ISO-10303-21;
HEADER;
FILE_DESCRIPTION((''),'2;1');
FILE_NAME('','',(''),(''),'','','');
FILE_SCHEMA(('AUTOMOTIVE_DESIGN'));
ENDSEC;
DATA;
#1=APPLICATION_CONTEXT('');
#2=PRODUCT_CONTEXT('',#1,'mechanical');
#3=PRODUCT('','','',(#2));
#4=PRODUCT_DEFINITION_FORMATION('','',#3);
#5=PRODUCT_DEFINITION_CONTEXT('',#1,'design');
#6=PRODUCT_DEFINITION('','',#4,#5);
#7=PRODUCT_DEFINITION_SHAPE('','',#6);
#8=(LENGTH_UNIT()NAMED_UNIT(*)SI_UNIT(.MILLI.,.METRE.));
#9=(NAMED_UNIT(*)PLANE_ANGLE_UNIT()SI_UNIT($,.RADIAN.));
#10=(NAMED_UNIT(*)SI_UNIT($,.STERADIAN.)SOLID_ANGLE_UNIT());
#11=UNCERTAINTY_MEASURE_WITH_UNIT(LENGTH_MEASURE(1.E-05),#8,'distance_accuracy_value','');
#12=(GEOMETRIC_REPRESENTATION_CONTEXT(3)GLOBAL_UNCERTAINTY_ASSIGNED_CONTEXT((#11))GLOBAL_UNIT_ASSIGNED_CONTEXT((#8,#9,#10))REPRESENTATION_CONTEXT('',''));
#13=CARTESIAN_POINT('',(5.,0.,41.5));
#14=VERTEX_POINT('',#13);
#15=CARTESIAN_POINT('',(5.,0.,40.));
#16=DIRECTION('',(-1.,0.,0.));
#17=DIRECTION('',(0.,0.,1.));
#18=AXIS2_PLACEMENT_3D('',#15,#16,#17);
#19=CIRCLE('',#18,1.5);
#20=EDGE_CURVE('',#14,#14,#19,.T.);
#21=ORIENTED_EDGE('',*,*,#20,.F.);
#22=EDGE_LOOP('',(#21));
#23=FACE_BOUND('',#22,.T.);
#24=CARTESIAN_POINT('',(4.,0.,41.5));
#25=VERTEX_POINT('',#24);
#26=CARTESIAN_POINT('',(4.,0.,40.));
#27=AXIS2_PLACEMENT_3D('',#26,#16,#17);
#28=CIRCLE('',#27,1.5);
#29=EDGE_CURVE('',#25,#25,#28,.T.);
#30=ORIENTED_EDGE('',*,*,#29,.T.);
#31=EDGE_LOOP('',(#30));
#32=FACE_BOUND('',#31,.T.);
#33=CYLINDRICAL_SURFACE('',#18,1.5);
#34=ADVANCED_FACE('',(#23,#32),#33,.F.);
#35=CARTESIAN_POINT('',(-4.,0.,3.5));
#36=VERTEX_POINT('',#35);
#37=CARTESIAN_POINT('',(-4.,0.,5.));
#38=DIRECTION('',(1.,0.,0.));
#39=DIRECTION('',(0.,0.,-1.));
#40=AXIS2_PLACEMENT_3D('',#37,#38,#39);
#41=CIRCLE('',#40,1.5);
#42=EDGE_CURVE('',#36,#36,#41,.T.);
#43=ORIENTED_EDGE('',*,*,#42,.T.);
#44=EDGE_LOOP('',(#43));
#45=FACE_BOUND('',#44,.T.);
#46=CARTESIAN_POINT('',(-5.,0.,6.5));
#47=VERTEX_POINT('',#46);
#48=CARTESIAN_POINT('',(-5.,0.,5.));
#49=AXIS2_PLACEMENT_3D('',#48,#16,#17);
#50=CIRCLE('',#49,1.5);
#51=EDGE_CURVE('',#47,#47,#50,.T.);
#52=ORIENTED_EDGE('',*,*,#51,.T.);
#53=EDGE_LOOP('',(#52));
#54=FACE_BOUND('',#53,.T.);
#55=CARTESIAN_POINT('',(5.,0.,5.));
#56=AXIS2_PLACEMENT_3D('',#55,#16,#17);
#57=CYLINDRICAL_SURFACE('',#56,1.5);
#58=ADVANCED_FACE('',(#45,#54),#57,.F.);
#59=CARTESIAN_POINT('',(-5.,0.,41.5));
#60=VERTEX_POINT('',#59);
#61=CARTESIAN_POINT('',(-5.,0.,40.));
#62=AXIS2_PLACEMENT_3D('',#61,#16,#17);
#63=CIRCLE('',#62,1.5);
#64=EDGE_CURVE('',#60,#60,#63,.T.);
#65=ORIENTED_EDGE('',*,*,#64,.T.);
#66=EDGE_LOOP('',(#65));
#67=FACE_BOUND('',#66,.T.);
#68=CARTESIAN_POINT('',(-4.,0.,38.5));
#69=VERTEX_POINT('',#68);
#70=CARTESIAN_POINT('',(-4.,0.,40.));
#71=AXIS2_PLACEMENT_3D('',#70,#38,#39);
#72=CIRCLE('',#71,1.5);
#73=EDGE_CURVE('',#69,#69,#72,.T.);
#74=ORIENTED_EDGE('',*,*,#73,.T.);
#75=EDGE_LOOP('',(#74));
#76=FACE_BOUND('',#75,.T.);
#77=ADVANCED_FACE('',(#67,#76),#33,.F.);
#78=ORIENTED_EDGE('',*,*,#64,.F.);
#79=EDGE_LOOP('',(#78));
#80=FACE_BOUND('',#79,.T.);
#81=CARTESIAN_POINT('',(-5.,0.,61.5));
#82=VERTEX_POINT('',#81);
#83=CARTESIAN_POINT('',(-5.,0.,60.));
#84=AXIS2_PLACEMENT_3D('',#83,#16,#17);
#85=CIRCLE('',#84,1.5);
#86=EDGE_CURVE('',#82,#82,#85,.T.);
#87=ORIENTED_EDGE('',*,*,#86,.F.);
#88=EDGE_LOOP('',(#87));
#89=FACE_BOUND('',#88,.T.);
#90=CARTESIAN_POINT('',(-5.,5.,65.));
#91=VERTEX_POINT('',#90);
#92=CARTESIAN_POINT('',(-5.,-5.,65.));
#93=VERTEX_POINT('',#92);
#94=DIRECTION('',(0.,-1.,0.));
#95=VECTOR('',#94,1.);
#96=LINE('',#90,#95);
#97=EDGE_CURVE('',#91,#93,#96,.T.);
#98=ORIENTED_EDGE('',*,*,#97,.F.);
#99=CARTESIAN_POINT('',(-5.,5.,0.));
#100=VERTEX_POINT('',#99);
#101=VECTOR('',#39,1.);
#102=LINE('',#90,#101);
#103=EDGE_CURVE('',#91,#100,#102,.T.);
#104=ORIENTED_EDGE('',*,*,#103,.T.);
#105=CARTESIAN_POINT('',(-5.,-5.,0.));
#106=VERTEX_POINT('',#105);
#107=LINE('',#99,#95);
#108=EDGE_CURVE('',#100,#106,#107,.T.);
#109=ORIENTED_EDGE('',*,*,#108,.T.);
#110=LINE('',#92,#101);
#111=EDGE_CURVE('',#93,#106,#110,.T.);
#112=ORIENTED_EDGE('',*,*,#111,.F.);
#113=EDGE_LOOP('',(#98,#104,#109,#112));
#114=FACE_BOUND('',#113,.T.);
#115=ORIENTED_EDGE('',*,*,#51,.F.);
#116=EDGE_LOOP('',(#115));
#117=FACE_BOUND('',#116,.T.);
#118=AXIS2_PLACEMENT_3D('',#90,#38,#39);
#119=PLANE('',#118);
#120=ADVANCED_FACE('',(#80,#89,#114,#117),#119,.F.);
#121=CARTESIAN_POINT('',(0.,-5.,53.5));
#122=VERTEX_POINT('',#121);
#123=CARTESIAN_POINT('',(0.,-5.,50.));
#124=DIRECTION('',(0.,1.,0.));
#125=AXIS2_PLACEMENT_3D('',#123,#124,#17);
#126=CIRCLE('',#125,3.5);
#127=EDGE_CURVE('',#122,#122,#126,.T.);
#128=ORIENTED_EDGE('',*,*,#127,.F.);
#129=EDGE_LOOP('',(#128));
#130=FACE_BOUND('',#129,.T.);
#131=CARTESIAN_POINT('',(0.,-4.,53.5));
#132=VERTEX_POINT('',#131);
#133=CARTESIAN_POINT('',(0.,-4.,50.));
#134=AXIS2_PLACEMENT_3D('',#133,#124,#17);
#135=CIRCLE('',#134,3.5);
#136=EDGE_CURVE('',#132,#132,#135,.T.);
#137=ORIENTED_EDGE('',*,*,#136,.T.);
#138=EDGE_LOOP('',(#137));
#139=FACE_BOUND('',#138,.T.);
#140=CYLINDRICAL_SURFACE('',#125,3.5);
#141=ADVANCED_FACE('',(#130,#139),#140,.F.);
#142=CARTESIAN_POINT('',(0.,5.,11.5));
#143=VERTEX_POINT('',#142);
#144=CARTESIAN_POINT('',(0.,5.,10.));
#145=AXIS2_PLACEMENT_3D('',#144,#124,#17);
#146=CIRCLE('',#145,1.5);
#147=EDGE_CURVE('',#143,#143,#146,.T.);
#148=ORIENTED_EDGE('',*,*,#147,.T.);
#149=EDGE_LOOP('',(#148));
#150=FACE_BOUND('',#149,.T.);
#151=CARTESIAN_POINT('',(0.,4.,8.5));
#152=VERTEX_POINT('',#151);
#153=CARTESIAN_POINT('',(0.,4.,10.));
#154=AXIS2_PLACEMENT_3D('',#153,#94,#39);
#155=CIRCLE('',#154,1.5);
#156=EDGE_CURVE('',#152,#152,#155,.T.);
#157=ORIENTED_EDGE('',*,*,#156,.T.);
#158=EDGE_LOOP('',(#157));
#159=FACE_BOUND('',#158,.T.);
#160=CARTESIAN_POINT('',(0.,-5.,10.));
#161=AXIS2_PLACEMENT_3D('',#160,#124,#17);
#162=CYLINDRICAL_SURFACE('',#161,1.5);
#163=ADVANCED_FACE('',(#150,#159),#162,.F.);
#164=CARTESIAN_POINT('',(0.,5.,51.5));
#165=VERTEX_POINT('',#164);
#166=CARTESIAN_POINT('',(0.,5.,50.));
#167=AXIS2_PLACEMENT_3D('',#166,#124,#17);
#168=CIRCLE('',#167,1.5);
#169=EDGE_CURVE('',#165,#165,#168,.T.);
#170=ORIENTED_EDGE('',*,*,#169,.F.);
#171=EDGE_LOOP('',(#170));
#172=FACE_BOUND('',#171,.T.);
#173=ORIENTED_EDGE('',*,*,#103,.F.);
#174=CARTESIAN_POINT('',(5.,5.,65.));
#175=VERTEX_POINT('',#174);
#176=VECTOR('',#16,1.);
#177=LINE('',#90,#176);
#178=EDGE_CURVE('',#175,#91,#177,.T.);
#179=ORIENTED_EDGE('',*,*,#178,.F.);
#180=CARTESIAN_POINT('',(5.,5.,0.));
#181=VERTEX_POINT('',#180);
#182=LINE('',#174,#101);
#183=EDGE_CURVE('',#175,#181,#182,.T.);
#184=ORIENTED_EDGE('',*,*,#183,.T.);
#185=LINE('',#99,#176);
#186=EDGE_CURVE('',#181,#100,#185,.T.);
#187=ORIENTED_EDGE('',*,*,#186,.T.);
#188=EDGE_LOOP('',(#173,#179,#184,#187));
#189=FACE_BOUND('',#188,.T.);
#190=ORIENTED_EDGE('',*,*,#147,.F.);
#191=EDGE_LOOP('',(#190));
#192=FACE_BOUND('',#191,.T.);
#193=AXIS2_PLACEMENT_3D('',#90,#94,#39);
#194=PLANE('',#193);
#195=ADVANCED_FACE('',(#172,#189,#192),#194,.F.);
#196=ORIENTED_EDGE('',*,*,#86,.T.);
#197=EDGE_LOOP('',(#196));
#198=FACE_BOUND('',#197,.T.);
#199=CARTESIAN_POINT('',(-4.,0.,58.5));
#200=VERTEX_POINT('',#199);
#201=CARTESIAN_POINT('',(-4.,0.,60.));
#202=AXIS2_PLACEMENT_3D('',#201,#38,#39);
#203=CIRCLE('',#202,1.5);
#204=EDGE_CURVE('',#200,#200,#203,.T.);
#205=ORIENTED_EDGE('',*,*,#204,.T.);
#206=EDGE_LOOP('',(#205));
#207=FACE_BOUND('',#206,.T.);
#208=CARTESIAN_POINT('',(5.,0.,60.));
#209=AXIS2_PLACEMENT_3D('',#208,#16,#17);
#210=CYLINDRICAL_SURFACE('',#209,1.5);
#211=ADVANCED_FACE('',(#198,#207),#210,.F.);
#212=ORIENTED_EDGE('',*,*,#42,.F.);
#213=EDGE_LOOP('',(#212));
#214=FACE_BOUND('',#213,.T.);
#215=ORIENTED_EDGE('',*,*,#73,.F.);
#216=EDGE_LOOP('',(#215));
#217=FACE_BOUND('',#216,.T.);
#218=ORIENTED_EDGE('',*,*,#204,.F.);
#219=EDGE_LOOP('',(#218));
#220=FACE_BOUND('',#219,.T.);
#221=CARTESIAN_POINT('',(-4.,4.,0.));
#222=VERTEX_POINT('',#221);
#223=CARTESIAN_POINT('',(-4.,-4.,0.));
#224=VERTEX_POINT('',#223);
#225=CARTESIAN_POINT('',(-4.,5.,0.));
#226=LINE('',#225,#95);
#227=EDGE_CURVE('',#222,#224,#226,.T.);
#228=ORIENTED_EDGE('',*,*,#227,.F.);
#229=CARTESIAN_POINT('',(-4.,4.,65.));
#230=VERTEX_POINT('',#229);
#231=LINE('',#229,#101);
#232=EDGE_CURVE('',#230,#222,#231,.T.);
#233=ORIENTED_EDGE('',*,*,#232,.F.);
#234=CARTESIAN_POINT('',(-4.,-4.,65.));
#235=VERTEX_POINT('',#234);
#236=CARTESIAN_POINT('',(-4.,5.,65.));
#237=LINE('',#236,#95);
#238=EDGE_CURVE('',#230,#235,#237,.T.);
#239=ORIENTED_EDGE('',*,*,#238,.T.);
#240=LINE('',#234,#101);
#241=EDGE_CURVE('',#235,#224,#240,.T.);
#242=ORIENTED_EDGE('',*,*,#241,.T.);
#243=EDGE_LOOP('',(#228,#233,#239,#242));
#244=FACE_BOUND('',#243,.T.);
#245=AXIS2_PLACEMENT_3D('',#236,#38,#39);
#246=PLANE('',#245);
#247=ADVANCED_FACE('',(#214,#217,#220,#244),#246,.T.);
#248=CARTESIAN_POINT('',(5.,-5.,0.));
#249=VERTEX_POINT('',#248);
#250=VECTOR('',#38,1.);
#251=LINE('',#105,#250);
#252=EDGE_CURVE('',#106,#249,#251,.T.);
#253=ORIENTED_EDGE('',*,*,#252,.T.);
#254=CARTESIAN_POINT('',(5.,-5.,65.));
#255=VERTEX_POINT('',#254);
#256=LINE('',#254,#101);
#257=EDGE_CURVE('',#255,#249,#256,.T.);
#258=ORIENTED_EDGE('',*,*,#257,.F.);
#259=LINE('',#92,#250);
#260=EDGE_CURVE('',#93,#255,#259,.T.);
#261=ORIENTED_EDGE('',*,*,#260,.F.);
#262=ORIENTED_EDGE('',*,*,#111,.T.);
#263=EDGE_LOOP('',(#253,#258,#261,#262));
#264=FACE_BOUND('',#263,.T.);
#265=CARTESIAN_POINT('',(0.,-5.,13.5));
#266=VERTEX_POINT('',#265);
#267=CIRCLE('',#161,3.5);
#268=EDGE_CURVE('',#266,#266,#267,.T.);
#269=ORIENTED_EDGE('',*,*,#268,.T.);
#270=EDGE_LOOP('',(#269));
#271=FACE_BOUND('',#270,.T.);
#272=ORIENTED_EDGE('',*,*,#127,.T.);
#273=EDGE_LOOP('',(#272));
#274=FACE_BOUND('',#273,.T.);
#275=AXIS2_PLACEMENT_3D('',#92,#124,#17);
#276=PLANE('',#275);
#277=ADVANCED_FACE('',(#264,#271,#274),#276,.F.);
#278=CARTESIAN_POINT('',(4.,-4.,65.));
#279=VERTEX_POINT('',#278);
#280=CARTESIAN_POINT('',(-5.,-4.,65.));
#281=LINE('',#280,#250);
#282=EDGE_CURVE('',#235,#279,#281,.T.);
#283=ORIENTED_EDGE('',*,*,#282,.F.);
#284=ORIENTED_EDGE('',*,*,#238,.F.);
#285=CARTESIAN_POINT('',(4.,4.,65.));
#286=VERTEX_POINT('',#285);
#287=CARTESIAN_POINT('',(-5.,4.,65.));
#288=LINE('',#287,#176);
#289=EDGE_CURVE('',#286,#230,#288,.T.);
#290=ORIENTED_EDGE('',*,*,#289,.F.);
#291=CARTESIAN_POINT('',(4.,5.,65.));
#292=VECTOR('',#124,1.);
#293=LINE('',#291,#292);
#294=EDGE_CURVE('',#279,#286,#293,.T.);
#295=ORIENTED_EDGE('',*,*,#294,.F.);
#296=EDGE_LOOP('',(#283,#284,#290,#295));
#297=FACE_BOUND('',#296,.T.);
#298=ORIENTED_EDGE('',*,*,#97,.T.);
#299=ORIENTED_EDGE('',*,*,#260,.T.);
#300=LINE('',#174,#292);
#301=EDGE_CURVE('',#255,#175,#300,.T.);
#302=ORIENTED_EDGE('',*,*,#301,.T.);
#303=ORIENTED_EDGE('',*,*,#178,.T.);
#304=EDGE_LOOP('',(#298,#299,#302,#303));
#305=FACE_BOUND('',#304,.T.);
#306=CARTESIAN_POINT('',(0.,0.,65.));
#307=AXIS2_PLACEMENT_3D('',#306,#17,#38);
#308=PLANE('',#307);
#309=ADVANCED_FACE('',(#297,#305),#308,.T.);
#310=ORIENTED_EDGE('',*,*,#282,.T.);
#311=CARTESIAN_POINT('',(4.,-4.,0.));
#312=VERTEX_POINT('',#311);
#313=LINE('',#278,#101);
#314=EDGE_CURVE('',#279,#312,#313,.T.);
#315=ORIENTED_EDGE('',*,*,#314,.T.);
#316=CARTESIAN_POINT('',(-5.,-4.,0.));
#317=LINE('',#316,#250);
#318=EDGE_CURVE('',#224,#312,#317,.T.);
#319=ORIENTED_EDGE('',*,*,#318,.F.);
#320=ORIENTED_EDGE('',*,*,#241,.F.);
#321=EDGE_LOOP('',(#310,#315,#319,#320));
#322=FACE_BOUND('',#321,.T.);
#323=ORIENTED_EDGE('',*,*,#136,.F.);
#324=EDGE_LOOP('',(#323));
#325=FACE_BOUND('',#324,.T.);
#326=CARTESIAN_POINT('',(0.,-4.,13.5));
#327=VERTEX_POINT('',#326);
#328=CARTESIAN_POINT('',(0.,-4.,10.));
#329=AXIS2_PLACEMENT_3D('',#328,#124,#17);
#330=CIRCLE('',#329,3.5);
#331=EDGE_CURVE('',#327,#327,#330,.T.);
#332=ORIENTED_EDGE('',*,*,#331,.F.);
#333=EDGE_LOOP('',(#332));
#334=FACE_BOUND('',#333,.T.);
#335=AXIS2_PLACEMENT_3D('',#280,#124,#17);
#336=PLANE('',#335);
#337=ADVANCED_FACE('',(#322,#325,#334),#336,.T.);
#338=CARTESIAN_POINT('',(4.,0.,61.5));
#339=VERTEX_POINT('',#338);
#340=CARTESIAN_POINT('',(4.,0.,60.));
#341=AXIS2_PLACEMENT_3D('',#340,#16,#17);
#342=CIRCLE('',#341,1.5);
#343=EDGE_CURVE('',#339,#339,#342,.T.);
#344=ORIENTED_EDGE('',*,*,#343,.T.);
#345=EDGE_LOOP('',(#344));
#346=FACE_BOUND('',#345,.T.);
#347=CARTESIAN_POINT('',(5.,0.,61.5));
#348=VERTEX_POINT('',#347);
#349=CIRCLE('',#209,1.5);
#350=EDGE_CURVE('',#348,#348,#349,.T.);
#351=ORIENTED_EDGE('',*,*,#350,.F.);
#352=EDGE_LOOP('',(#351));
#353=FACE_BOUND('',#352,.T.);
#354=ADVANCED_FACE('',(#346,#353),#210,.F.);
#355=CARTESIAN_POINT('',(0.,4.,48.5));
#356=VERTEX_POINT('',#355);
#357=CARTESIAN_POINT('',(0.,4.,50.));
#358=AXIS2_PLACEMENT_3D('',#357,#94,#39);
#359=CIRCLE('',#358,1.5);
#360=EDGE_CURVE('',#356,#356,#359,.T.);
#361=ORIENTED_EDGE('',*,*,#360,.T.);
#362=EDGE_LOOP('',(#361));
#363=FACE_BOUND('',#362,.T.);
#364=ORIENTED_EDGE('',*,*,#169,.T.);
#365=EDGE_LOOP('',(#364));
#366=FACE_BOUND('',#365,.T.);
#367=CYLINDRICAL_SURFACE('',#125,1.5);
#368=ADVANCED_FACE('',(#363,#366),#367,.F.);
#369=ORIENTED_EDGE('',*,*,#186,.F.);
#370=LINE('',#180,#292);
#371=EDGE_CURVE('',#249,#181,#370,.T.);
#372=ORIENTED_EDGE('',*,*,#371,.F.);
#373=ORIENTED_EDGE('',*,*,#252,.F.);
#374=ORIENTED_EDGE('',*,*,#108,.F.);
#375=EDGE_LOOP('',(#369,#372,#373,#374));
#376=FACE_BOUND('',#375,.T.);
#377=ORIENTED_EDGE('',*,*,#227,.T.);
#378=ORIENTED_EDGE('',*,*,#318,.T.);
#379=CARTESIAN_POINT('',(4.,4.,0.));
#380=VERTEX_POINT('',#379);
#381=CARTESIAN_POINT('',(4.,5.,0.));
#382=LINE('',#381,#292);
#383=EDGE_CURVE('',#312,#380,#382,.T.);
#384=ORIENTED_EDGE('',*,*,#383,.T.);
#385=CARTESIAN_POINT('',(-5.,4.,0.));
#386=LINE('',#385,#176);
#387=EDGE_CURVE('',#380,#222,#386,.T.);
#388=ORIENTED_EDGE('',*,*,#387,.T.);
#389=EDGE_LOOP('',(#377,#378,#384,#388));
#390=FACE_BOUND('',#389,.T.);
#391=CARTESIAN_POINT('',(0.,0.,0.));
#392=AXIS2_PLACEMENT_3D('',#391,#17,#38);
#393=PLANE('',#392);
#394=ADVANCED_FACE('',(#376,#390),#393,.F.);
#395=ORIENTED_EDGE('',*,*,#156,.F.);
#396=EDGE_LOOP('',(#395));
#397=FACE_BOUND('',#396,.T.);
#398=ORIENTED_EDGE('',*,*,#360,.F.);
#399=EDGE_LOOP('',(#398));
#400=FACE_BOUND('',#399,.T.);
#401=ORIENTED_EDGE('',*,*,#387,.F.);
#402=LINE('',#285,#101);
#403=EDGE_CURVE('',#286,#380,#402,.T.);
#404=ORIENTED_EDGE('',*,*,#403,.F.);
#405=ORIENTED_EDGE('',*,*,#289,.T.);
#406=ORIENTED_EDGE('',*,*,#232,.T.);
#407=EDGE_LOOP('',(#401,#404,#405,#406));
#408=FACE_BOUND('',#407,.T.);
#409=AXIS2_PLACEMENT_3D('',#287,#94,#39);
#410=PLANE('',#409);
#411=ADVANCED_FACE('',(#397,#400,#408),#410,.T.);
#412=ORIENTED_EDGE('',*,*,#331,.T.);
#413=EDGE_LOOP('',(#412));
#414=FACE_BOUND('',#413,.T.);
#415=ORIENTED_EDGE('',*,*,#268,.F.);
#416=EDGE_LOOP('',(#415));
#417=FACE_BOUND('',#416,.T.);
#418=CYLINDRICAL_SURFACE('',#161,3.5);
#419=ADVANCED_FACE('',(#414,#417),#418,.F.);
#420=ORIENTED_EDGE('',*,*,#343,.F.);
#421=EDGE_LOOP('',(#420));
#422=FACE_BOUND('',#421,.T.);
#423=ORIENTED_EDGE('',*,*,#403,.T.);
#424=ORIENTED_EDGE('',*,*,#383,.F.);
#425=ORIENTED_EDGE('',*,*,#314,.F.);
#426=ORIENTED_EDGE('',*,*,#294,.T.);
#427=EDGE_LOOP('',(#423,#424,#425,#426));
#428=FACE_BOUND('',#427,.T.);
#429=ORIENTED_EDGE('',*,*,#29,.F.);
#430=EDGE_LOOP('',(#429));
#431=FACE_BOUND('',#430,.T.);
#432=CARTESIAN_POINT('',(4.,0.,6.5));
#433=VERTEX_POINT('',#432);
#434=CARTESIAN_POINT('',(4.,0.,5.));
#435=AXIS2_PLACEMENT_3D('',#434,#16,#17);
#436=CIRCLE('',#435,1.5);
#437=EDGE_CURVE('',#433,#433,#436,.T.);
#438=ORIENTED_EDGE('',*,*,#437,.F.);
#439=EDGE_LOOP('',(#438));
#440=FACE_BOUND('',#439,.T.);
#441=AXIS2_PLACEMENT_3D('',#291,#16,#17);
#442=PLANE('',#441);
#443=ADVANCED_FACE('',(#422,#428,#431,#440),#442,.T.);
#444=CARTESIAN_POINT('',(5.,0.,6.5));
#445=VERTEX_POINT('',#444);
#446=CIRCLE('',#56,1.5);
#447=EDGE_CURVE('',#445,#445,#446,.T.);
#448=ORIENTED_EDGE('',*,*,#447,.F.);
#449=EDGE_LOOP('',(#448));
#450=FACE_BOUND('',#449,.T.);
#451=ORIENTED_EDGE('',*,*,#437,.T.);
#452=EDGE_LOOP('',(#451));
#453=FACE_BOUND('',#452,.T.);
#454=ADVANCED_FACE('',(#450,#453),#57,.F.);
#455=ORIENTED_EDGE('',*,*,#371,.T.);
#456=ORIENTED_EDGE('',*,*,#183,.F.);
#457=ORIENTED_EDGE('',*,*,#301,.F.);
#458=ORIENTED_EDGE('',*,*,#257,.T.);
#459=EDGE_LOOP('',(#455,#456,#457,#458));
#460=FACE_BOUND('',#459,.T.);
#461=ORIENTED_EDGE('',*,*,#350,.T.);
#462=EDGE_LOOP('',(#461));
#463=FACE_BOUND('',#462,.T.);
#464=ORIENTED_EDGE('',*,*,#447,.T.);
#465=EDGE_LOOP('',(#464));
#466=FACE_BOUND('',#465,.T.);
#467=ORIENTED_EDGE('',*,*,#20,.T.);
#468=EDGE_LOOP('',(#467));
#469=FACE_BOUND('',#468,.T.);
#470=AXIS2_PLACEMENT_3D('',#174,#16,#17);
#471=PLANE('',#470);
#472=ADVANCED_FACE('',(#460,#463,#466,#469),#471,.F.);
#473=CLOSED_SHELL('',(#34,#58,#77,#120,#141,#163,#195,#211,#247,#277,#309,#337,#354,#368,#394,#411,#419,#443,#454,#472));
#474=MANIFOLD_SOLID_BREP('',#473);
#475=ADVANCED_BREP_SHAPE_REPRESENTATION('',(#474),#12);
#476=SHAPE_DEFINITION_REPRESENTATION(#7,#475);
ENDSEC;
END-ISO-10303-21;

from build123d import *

# Parameters (mm, degrees)
SKETCH_1_W          = 10
SKETCH_1_H          = 10
SKETCH_1_W_2        = 8
SKETCH_1_H_2        = 8
EXTRUDE_1_DEPTH     = 65
SKETCH_2_R          = 1.5
CUT_EXTRUDE_1_DEPTH = 11
SKETCH_5_R          = 1.5
CUT_EXTRUDE_2_DEPTH = 11
CUT_EXTRUDE_START   = -5
SKETCH_6_R          = 3.5
CUT_EXTRUDE_3_DEPTH = 5


with BuildPart() as part:
    # 草图1 → 拉伸-薄壁1 (new body)
    with BuildSketch(Plane.XY):
        Rectangle(SKETCH_1_W, SKETCH_1_H)
        Rectangle(SKETCH_1_W_2, SKETCH_1_H_2, mode=Mode.SUBTRACT)
    extrude(amount=EXTRUDE_1_DEPTH)

    # 草图2 → 切除-拉伸1 (cut, through all)
    with BuildSketch(Plane.ZY.offset(5)):
        with Locations((40, 0)):
            Circle(SKETCH_2_R)
        with Locations((60, 0)):
            Circle(SKETCH_2_R)
        with Locations((5, 0)):
            Circle(SKETCH_2_R)
    extrude(amount=-CUT_EXTRUDE_1_DEPTH, mode=Mode.SUBTRACT)

    # 草图5 → 切除-拉伸2 (cut, through all)
    with BuildSketch(Plane(origin=(0, 5, 0), x_dir=(1, 0, 0), z_dir=(0, 1, 0))):
        with Locations((0, -10)):
            Circle(SKETCH_5_R)
        with Locations((0, -50)):
            Circle(SKETCH_5_R)
    extrude(amount=-CUT_EXTRUDE_2_DEPTH, mode=Mode.SUBTRACT)

    # 草图6 → 切除-拉伸3 (cut)
    with BuildSketch(Plane(origin=(0, 5, 0), x_dir=(1, 0, 0), z_dir=(0, 1, 0)).offset(CUT_EXTRUDE_START)):
        with Locations((0, -10)):
            Circle(SKETCH_6_R)
        with Locations((0, -50)):
            Circle(SKETCH_6_R)
    extrude(amount=-CUT_EXTRUDE_3_DEPTH, mode=Mode.SUBTRACT)


solid = part.part
